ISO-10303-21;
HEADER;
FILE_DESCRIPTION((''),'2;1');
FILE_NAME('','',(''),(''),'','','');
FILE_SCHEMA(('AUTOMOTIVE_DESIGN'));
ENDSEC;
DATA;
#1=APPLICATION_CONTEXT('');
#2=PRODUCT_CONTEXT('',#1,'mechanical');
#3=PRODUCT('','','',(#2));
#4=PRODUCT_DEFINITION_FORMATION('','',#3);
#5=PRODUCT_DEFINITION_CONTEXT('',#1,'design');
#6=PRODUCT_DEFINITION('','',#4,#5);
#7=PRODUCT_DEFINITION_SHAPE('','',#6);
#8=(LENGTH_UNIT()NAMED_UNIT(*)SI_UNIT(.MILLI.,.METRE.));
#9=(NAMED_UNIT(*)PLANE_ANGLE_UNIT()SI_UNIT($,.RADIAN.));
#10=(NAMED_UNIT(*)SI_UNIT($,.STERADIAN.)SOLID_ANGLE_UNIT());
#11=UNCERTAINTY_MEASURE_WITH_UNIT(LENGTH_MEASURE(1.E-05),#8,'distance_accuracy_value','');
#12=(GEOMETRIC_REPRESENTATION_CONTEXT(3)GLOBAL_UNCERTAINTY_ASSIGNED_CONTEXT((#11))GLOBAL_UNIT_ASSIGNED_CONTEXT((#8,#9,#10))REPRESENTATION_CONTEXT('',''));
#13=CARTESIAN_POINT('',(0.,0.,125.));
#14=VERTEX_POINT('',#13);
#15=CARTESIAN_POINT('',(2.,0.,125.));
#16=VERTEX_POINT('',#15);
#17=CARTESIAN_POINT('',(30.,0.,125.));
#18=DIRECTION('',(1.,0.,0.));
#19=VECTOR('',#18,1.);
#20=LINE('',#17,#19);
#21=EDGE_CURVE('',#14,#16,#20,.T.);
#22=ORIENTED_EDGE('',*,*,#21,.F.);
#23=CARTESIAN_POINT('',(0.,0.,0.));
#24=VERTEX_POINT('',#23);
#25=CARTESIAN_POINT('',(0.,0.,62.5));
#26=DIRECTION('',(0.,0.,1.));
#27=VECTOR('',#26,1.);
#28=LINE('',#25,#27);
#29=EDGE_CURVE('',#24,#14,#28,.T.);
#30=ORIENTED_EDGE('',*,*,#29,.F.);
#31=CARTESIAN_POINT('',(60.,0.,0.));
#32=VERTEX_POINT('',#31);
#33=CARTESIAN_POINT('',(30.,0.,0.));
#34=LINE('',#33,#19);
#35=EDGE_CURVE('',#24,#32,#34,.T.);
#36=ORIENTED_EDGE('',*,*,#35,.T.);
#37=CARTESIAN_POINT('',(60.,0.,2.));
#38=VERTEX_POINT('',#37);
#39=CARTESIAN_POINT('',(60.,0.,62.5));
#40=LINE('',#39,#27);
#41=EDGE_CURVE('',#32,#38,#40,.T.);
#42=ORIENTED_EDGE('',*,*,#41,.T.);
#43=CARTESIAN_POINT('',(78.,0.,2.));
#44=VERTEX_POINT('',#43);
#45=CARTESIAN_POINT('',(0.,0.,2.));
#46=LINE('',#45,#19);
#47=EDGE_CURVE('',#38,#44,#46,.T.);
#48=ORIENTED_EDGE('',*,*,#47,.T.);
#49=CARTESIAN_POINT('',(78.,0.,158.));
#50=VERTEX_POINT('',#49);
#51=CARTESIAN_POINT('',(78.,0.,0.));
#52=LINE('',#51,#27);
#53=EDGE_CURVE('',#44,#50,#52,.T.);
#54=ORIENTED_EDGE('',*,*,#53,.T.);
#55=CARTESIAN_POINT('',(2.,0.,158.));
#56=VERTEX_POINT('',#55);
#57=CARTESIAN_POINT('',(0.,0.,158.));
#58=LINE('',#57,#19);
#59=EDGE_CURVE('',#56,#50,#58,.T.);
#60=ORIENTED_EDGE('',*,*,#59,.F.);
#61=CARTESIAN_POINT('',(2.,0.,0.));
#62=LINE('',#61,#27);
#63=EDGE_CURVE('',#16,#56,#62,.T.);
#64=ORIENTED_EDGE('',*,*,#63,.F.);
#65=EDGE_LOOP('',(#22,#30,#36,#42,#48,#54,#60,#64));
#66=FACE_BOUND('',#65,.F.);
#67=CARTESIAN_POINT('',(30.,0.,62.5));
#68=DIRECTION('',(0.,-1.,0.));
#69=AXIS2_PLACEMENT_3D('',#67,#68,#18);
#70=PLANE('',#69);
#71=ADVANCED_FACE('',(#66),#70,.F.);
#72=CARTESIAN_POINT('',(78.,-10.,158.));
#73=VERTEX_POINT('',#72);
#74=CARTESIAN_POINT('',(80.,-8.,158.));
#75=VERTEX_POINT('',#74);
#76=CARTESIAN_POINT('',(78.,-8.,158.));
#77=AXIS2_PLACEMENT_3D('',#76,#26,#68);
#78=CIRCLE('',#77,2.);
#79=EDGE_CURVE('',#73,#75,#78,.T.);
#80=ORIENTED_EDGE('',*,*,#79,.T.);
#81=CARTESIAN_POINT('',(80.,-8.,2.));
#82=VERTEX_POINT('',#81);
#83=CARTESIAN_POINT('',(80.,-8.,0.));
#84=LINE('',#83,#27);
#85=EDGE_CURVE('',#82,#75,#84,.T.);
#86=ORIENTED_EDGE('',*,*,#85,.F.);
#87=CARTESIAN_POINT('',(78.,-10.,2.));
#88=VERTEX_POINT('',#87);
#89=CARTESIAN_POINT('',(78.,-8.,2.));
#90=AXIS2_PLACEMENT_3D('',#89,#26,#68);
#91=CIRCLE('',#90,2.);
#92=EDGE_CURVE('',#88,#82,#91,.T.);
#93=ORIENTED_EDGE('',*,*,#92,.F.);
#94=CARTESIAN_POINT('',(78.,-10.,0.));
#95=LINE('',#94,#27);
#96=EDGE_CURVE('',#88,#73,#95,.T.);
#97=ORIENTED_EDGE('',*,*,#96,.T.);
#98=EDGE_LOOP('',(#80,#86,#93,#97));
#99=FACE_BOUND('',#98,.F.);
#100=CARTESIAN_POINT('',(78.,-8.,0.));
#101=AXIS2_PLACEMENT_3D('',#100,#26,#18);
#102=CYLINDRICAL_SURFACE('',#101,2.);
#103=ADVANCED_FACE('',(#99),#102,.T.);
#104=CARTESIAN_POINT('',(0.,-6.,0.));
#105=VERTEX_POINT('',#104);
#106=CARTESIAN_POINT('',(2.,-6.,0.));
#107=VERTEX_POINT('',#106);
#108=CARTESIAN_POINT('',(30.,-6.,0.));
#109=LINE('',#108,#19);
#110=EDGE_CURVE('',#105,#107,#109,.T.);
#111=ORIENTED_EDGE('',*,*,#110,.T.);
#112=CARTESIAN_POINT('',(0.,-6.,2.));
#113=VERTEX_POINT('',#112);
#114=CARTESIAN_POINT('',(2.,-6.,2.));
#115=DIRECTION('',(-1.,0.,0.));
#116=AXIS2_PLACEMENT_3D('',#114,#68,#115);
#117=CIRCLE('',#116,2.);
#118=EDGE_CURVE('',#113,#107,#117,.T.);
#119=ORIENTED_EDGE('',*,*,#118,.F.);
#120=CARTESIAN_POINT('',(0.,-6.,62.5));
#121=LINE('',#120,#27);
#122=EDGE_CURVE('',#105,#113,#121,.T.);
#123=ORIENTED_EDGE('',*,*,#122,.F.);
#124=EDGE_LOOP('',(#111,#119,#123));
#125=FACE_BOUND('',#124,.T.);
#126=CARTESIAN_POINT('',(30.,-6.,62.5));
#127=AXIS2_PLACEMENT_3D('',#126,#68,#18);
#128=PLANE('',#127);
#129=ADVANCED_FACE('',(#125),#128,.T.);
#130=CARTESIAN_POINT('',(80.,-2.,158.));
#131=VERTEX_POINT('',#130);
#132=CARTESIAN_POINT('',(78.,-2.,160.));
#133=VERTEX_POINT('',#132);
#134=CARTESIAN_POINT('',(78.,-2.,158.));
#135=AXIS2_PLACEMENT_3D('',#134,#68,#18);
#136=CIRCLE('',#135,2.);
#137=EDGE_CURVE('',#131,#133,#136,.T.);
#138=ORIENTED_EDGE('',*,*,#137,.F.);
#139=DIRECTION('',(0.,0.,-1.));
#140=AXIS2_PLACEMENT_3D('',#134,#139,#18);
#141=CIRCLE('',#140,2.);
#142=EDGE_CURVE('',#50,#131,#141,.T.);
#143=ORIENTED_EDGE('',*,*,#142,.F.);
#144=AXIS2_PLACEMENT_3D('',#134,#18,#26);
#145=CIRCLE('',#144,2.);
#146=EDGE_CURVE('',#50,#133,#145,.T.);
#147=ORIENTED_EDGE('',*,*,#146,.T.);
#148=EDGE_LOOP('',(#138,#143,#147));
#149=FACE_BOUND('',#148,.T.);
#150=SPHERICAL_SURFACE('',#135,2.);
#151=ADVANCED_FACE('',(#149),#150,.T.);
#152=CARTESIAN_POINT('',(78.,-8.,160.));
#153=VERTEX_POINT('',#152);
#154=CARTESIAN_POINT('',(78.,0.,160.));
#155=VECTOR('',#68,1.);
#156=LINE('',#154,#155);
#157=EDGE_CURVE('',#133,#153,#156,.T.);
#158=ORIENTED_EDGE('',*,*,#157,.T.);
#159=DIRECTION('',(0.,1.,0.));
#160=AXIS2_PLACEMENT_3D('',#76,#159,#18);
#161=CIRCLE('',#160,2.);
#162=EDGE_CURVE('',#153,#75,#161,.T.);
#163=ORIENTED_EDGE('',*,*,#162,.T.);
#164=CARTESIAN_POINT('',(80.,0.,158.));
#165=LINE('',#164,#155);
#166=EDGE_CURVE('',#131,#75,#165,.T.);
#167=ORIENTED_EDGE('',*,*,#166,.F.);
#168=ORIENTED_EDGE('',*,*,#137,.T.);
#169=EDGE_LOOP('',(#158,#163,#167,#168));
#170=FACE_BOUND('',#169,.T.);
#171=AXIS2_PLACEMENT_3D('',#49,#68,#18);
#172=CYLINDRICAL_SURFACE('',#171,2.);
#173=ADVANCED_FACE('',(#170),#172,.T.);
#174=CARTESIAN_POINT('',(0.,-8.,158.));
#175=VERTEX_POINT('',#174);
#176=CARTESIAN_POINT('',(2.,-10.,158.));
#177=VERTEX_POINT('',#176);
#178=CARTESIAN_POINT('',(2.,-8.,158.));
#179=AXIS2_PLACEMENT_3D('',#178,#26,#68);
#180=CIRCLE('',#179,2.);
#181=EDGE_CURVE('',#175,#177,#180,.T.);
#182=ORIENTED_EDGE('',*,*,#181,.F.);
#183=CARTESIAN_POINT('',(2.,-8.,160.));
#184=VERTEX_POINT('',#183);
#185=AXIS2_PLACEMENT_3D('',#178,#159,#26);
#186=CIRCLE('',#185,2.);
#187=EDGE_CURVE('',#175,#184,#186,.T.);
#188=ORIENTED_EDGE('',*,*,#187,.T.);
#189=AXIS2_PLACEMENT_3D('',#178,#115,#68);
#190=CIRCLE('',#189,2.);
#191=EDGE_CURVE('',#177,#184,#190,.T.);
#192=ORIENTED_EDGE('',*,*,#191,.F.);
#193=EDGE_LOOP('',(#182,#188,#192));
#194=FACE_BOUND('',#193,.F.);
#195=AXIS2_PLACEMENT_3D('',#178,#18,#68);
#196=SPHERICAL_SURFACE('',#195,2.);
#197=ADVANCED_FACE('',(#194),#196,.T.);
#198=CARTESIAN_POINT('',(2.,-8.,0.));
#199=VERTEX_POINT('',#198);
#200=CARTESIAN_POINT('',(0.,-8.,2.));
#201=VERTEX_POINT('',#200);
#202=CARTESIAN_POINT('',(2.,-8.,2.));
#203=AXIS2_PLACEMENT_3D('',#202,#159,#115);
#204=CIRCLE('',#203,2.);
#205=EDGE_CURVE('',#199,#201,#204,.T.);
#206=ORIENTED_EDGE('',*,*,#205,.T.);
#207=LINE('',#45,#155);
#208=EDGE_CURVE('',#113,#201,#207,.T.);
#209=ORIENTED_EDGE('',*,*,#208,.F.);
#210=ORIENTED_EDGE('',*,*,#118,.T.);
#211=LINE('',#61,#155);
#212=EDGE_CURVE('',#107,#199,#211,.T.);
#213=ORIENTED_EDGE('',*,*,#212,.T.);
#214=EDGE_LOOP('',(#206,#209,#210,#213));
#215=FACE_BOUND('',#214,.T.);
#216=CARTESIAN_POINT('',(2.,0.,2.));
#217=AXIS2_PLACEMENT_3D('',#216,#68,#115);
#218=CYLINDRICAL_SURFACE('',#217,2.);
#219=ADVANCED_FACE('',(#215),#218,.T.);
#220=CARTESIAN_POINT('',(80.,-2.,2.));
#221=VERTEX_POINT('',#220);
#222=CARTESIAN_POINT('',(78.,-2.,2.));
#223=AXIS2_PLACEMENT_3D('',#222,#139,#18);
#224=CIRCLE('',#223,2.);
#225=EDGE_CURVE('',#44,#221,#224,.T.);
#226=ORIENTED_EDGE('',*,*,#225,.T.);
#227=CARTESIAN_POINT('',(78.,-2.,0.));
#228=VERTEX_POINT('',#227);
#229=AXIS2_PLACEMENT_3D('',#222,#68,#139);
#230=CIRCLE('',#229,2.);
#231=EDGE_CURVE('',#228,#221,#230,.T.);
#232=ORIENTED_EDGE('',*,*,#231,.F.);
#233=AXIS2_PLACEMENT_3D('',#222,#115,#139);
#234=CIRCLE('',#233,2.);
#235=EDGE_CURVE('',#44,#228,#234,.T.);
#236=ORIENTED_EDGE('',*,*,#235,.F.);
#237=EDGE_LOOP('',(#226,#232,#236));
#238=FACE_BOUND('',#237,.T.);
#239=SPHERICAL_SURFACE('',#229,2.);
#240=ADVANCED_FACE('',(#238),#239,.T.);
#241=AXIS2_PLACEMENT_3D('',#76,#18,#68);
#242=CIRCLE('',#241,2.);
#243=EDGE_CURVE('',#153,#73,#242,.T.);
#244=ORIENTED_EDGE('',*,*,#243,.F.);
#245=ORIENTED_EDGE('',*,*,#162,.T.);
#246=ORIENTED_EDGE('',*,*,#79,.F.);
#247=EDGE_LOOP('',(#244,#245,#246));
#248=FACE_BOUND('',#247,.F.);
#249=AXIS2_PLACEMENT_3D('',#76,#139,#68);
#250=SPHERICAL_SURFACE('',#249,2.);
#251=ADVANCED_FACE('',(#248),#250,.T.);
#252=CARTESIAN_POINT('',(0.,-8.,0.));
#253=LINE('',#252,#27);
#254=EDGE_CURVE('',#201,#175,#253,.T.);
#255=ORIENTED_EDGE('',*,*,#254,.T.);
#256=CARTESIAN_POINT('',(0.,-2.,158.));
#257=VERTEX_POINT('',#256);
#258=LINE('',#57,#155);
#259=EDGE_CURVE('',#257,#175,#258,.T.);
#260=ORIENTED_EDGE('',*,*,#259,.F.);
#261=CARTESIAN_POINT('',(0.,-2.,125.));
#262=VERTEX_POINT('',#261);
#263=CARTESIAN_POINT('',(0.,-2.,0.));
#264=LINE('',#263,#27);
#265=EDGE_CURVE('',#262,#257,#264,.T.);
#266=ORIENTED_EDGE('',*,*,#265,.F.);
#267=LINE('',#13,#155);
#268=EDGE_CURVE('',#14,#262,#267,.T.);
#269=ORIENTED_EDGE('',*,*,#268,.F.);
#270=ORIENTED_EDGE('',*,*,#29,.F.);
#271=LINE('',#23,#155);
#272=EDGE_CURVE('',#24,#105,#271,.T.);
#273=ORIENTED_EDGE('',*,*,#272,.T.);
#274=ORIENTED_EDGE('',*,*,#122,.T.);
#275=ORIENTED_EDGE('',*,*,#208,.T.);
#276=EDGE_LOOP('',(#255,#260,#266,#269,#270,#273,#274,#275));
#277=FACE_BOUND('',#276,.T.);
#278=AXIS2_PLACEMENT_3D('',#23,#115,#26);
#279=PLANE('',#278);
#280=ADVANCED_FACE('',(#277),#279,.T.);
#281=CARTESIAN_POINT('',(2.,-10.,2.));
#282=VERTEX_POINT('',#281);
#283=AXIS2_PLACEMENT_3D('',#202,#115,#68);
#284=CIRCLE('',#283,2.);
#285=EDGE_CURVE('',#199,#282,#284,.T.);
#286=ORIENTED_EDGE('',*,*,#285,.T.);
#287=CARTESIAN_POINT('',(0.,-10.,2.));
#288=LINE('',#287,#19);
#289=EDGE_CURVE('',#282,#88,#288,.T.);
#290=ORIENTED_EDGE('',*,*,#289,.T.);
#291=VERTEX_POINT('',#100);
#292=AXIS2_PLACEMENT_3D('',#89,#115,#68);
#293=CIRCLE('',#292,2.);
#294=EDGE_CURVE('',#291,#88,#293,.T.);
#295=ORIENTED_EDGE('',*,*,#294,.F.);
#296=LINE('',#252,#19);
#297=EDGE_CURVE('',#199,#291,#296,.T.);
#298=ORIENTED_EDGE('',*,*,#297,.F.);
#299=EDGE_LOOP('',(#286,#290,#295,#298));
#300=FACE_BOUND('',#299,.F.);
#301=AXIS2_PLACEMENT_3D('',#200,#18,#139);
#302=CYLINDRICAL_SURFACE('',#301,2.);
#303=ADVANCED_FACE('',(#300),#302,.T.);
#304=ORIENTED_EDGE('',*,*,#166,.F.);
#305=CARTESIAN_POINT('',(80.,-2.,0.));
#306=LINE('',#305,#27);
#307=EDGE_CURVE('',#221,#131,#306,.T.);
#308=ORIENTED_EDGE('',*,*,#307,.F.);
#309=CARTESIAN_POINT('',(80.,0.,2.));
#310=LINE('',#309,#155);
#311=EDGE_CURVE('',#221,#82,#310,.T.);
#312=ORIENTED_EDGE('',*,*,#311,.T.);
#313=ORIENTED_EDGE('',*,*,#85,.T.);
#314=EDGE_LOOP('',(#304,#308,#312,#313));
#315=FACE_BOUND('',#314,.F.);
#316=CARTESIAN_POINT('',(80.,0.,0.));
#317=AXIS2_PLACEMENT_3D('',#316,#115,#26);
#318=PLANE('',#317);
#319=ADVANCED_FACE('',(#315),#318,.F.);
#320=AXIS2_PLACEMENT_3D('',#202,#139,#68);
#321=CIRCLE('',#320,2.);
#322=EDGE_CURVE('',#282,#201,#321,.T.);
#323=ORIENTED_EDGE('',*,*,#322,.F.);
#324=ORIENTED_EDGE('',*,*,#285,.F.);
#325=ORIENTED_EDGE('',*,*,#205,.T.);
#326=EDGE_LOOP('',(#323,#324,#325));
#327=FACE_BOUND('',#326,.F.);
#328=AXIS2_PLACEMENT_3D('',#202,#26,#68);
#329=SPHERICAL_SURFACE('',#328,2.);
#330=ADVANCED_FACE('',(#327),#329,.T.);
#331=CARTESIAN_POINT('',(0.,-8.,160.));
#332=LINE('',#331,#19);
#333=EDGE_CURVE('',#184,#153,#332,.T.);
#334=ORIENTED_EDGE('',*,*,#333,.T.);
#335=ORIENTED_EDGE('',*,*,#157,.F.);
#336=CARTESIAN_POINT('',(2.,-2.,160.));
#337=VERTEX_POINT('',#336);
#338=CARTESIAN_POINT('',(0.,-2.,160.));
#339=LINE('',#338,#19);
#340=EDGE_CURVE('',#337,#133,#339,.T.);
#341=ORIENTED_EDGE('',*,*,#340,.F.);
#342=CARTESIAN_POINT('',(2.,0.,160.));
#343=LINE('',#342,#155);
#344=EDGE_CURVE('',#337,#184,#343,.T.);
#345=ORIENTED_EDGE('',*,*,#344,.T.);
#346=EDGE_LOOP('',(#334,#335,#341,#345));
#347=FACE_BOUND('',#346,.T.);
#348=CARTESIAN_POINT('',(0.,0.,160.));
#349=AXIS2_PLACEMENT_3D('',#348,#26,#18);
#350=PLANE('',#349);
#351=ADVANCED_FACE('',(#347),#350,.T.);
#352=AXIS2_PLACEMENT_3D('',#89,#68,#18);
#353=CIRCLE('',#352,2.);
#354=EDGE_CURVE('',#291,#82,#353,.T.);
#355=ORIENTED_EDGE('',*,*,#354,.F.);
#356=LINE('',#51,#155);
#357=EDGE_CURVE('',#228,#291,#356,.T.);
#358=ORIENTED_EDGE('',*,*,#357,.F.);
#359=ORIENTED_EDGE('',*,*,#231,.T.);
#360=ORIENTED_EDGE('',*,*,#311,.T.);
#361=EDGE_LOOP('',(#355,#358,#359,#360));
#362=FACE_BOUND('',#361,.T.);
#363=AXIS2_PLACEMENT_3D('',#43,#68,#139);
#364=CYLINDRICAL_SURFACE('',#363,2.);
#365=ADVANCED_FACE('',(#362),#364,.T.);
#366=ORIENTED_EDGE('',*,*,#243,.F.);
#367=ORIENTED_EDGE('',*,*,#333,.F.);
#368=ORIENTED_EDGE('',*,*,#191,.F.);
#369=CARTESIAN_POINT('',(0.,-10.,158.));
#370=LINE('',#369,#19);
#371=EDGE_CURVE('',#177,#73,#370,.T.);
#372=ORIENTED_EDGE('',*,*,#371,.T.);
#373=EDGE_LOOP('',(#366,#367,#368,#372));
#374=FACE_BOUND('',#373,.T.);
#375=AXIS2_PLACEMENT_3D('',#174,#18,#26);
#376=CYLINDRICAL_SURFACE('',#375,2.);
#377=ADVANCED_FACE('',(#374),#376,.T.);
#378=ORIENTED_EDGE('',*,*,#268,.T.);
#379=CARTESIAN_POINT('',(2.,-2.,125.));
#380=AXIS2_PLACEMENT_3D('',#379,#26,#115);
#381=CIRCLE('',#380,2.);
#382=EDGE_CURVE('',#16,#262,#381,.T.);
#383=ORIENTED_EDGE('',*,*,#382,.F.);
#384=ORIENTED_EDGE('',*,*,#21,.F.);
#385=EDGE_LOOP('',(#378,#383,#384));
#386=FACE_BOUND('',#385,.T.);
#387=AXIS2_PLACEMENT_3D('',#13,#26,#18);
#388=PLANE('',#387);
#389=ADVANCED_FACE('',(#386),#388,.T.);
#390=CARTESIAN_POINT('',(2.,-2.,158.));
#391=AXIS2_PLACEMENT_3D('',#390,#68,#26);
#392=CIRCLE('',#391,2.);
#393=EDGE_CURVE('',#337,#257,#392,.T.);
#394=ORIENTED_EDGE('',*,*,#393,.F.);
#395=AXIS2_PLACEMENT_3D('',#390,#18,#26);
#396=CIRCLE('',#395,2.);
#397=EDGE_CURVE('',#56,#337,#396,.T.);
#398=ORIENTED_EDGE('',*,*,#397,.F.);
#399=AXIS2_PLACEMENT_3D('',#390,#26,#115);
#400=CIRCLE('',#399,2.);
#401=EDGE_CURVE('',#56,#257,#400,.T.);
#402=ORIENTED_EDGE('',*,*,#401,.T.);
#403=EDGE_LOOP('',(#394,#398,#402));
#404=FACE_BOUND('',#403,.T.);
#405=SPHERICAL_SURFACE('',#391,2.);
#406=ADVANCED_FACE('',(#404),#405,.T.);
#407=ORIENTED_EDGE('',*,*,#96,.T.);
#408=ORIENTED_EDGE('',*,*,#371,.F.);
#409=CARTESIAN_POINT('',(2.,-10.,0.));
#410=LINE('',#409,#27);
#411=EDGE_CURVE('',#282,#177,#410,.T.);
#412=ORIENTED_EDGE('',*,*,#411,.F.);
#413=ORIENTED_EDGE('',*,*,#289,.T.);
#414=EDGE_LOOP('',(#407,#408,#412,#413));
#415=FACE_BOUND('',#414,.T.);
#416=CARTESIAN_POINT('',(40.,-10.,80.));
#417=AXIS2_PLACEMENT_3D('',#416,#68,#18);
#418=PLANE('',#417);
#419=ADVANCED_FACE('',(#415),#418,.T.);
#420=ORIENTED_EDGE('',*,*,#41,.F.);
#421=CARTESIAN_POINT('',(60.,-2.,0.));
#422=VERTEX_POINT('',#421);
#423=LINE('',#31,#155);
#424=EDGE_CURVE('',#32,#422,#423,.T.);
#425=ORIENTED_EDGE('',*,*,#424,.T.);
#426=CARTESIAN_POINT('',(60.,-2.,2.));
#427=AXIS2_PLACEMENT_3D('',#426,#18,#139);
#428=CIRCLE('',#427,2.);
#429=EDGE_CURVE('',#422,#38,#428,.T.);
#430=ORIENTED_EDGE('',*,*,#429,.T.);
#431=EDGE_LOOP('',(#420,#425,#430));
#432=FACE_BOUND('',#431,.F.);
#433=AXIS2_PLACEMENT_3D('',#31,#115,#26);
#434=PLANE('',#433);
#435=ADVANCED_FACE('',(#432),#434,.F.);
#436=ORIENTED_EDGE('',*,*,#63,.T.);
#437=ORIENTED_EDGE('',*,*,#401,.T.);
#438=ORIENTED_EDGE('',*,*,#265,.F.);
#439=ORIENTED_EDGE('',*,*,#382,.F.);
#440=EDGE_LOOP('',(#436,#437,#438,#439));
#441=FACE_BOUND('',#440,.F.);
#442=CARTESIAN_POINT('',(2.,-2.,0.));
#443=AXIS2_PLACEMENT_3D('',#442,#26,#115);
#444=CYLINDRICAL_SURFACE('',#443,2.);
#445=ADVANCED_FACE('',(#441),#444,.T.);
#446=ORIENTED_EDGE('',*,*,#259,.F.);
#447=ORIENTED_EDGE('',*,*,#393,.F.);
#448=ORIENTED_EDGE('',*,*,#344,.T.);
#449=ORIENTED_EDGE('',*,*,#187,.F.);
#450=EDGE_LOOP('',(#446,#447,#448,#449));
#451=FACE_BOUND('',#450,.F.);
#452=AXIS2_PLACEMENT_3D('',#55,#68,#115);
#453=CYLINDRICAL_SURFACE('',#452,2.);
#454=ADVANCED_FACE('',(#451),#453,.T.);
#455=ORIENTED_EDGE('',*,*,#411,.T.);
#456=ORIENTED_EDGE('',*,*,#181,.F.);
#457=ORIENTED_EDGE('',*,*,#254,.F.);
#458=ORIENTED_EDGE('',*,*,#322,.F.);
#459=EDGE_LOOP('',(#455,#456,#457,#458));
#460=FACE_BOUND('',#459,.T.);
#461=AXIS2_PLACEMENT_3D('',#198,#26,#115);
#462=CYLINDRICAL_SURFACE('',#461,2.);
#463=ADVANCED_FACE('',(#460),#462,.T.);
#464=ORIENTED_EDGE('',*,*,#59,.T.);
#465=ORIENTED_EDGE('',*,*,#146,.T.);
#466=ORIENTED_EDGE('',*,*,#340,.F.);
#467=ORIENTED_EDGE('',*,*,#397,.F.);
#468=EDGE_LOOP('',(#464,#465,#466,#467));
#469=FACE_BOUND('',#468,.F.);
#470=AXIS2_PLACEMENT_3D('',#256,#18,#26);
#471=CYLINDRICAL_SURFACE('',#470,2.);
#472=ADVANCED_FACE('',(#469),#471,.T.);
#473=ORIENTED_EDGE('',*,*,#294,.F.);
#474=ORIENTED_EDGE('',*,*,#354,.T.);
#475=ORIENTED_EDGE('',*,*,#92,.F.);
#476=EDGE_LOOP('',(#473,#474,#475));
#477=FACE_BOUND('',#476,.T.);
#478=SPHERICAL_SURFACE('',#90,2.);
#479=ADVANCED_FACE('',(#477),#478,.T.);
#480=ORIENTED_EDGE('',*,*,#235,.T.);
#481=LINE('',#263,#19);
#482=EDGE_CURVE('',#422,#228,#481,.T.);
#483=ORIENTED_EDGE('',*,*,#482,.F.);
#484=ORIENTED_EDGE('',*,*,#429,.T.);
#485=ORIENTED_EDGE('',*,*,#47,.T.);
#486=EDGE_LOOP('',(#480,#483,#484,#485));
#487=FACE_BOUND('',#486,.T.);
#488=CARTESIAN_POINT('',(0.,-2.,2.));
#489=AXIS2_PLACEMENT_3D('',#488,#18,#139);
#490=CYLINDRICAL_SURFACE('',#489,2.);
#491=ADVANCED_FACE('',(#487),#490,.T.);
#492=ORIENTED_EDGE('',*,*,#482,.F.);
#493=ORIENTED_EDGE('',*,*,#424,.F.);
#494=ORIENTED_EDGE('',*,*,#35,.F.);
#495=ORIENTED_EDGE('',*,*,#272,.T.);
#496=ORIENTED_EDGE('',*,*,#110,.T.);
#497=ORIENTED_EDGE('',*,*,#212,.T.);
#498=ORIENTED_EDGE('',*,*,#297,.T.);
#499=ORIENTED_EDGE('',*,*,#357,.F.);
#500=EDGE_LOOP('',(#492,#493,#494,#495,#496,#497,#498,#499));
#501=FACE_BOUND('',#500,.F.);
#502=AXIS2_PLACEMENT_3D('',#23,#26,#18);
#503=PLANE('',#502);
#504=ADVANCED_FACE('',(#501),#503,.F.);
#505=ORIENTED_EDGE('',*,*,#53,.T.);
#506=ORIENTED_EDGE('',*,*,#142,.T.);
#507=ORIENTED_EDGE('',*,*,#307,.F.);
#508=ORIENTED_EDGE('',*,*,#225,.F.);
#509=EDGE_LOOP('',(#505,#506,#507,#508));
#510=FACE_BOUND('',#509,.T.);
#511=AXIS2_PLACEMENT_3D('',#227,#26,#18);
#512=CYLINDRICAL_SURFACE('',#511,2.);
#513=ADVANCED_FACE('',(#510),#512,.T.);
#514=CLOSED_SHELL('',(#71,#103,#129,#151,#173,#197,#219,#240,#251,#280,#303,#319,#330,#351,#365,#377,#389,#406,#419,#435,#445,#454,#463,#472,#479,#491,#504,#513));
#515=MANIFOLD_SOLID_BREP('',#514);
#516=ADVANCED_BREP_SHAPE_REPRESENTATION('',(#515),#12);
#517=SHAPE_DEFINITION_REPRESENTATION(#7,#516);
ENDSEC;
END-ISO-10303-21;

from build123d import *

# Parameters (mm, degrees)
F0_W     = 80
F0_H     = 160
F1_DEPTH = 10
F2_R     = 2
F3_W     = 60
F3_H     = 125
F4_DEPTH = 6


with BuildPart() as f1:
    # F0 (on Front) → F1 (new body)
    with BuildSketch(Plane.XZ):
        with Locations((40, 80)):
            Rectangle(F0_W, F0_H)
    extrude(amount=F1_DEPTH)

    # F2
    f2_edges = [f1.edges().sort_by_distance(p)[0] for p in [
        (80, -10, 80),
        (40, -10, 160),
        (0, -10, 80),
        (40, -10, 0),
        (0, -5, 160),
        (80, -5, 160),
        (80, -5, 0),
        (0, -5, 0),
        (40, 0, 0),
        (80, 0, 80),
        (40, 0, 160),
        (0, 0, 80),
    ]]
    fillet(f2_edges, radius=F2_R)

    # F3 (on Front) → F4 (join)
    with BuildSketch(Plane.XZ):
        with Locations((30, 62.5)):
            Rectangle(F3_W, F3_H)
    extrude(amount=F4_DEPTH)


solid = f1.part
